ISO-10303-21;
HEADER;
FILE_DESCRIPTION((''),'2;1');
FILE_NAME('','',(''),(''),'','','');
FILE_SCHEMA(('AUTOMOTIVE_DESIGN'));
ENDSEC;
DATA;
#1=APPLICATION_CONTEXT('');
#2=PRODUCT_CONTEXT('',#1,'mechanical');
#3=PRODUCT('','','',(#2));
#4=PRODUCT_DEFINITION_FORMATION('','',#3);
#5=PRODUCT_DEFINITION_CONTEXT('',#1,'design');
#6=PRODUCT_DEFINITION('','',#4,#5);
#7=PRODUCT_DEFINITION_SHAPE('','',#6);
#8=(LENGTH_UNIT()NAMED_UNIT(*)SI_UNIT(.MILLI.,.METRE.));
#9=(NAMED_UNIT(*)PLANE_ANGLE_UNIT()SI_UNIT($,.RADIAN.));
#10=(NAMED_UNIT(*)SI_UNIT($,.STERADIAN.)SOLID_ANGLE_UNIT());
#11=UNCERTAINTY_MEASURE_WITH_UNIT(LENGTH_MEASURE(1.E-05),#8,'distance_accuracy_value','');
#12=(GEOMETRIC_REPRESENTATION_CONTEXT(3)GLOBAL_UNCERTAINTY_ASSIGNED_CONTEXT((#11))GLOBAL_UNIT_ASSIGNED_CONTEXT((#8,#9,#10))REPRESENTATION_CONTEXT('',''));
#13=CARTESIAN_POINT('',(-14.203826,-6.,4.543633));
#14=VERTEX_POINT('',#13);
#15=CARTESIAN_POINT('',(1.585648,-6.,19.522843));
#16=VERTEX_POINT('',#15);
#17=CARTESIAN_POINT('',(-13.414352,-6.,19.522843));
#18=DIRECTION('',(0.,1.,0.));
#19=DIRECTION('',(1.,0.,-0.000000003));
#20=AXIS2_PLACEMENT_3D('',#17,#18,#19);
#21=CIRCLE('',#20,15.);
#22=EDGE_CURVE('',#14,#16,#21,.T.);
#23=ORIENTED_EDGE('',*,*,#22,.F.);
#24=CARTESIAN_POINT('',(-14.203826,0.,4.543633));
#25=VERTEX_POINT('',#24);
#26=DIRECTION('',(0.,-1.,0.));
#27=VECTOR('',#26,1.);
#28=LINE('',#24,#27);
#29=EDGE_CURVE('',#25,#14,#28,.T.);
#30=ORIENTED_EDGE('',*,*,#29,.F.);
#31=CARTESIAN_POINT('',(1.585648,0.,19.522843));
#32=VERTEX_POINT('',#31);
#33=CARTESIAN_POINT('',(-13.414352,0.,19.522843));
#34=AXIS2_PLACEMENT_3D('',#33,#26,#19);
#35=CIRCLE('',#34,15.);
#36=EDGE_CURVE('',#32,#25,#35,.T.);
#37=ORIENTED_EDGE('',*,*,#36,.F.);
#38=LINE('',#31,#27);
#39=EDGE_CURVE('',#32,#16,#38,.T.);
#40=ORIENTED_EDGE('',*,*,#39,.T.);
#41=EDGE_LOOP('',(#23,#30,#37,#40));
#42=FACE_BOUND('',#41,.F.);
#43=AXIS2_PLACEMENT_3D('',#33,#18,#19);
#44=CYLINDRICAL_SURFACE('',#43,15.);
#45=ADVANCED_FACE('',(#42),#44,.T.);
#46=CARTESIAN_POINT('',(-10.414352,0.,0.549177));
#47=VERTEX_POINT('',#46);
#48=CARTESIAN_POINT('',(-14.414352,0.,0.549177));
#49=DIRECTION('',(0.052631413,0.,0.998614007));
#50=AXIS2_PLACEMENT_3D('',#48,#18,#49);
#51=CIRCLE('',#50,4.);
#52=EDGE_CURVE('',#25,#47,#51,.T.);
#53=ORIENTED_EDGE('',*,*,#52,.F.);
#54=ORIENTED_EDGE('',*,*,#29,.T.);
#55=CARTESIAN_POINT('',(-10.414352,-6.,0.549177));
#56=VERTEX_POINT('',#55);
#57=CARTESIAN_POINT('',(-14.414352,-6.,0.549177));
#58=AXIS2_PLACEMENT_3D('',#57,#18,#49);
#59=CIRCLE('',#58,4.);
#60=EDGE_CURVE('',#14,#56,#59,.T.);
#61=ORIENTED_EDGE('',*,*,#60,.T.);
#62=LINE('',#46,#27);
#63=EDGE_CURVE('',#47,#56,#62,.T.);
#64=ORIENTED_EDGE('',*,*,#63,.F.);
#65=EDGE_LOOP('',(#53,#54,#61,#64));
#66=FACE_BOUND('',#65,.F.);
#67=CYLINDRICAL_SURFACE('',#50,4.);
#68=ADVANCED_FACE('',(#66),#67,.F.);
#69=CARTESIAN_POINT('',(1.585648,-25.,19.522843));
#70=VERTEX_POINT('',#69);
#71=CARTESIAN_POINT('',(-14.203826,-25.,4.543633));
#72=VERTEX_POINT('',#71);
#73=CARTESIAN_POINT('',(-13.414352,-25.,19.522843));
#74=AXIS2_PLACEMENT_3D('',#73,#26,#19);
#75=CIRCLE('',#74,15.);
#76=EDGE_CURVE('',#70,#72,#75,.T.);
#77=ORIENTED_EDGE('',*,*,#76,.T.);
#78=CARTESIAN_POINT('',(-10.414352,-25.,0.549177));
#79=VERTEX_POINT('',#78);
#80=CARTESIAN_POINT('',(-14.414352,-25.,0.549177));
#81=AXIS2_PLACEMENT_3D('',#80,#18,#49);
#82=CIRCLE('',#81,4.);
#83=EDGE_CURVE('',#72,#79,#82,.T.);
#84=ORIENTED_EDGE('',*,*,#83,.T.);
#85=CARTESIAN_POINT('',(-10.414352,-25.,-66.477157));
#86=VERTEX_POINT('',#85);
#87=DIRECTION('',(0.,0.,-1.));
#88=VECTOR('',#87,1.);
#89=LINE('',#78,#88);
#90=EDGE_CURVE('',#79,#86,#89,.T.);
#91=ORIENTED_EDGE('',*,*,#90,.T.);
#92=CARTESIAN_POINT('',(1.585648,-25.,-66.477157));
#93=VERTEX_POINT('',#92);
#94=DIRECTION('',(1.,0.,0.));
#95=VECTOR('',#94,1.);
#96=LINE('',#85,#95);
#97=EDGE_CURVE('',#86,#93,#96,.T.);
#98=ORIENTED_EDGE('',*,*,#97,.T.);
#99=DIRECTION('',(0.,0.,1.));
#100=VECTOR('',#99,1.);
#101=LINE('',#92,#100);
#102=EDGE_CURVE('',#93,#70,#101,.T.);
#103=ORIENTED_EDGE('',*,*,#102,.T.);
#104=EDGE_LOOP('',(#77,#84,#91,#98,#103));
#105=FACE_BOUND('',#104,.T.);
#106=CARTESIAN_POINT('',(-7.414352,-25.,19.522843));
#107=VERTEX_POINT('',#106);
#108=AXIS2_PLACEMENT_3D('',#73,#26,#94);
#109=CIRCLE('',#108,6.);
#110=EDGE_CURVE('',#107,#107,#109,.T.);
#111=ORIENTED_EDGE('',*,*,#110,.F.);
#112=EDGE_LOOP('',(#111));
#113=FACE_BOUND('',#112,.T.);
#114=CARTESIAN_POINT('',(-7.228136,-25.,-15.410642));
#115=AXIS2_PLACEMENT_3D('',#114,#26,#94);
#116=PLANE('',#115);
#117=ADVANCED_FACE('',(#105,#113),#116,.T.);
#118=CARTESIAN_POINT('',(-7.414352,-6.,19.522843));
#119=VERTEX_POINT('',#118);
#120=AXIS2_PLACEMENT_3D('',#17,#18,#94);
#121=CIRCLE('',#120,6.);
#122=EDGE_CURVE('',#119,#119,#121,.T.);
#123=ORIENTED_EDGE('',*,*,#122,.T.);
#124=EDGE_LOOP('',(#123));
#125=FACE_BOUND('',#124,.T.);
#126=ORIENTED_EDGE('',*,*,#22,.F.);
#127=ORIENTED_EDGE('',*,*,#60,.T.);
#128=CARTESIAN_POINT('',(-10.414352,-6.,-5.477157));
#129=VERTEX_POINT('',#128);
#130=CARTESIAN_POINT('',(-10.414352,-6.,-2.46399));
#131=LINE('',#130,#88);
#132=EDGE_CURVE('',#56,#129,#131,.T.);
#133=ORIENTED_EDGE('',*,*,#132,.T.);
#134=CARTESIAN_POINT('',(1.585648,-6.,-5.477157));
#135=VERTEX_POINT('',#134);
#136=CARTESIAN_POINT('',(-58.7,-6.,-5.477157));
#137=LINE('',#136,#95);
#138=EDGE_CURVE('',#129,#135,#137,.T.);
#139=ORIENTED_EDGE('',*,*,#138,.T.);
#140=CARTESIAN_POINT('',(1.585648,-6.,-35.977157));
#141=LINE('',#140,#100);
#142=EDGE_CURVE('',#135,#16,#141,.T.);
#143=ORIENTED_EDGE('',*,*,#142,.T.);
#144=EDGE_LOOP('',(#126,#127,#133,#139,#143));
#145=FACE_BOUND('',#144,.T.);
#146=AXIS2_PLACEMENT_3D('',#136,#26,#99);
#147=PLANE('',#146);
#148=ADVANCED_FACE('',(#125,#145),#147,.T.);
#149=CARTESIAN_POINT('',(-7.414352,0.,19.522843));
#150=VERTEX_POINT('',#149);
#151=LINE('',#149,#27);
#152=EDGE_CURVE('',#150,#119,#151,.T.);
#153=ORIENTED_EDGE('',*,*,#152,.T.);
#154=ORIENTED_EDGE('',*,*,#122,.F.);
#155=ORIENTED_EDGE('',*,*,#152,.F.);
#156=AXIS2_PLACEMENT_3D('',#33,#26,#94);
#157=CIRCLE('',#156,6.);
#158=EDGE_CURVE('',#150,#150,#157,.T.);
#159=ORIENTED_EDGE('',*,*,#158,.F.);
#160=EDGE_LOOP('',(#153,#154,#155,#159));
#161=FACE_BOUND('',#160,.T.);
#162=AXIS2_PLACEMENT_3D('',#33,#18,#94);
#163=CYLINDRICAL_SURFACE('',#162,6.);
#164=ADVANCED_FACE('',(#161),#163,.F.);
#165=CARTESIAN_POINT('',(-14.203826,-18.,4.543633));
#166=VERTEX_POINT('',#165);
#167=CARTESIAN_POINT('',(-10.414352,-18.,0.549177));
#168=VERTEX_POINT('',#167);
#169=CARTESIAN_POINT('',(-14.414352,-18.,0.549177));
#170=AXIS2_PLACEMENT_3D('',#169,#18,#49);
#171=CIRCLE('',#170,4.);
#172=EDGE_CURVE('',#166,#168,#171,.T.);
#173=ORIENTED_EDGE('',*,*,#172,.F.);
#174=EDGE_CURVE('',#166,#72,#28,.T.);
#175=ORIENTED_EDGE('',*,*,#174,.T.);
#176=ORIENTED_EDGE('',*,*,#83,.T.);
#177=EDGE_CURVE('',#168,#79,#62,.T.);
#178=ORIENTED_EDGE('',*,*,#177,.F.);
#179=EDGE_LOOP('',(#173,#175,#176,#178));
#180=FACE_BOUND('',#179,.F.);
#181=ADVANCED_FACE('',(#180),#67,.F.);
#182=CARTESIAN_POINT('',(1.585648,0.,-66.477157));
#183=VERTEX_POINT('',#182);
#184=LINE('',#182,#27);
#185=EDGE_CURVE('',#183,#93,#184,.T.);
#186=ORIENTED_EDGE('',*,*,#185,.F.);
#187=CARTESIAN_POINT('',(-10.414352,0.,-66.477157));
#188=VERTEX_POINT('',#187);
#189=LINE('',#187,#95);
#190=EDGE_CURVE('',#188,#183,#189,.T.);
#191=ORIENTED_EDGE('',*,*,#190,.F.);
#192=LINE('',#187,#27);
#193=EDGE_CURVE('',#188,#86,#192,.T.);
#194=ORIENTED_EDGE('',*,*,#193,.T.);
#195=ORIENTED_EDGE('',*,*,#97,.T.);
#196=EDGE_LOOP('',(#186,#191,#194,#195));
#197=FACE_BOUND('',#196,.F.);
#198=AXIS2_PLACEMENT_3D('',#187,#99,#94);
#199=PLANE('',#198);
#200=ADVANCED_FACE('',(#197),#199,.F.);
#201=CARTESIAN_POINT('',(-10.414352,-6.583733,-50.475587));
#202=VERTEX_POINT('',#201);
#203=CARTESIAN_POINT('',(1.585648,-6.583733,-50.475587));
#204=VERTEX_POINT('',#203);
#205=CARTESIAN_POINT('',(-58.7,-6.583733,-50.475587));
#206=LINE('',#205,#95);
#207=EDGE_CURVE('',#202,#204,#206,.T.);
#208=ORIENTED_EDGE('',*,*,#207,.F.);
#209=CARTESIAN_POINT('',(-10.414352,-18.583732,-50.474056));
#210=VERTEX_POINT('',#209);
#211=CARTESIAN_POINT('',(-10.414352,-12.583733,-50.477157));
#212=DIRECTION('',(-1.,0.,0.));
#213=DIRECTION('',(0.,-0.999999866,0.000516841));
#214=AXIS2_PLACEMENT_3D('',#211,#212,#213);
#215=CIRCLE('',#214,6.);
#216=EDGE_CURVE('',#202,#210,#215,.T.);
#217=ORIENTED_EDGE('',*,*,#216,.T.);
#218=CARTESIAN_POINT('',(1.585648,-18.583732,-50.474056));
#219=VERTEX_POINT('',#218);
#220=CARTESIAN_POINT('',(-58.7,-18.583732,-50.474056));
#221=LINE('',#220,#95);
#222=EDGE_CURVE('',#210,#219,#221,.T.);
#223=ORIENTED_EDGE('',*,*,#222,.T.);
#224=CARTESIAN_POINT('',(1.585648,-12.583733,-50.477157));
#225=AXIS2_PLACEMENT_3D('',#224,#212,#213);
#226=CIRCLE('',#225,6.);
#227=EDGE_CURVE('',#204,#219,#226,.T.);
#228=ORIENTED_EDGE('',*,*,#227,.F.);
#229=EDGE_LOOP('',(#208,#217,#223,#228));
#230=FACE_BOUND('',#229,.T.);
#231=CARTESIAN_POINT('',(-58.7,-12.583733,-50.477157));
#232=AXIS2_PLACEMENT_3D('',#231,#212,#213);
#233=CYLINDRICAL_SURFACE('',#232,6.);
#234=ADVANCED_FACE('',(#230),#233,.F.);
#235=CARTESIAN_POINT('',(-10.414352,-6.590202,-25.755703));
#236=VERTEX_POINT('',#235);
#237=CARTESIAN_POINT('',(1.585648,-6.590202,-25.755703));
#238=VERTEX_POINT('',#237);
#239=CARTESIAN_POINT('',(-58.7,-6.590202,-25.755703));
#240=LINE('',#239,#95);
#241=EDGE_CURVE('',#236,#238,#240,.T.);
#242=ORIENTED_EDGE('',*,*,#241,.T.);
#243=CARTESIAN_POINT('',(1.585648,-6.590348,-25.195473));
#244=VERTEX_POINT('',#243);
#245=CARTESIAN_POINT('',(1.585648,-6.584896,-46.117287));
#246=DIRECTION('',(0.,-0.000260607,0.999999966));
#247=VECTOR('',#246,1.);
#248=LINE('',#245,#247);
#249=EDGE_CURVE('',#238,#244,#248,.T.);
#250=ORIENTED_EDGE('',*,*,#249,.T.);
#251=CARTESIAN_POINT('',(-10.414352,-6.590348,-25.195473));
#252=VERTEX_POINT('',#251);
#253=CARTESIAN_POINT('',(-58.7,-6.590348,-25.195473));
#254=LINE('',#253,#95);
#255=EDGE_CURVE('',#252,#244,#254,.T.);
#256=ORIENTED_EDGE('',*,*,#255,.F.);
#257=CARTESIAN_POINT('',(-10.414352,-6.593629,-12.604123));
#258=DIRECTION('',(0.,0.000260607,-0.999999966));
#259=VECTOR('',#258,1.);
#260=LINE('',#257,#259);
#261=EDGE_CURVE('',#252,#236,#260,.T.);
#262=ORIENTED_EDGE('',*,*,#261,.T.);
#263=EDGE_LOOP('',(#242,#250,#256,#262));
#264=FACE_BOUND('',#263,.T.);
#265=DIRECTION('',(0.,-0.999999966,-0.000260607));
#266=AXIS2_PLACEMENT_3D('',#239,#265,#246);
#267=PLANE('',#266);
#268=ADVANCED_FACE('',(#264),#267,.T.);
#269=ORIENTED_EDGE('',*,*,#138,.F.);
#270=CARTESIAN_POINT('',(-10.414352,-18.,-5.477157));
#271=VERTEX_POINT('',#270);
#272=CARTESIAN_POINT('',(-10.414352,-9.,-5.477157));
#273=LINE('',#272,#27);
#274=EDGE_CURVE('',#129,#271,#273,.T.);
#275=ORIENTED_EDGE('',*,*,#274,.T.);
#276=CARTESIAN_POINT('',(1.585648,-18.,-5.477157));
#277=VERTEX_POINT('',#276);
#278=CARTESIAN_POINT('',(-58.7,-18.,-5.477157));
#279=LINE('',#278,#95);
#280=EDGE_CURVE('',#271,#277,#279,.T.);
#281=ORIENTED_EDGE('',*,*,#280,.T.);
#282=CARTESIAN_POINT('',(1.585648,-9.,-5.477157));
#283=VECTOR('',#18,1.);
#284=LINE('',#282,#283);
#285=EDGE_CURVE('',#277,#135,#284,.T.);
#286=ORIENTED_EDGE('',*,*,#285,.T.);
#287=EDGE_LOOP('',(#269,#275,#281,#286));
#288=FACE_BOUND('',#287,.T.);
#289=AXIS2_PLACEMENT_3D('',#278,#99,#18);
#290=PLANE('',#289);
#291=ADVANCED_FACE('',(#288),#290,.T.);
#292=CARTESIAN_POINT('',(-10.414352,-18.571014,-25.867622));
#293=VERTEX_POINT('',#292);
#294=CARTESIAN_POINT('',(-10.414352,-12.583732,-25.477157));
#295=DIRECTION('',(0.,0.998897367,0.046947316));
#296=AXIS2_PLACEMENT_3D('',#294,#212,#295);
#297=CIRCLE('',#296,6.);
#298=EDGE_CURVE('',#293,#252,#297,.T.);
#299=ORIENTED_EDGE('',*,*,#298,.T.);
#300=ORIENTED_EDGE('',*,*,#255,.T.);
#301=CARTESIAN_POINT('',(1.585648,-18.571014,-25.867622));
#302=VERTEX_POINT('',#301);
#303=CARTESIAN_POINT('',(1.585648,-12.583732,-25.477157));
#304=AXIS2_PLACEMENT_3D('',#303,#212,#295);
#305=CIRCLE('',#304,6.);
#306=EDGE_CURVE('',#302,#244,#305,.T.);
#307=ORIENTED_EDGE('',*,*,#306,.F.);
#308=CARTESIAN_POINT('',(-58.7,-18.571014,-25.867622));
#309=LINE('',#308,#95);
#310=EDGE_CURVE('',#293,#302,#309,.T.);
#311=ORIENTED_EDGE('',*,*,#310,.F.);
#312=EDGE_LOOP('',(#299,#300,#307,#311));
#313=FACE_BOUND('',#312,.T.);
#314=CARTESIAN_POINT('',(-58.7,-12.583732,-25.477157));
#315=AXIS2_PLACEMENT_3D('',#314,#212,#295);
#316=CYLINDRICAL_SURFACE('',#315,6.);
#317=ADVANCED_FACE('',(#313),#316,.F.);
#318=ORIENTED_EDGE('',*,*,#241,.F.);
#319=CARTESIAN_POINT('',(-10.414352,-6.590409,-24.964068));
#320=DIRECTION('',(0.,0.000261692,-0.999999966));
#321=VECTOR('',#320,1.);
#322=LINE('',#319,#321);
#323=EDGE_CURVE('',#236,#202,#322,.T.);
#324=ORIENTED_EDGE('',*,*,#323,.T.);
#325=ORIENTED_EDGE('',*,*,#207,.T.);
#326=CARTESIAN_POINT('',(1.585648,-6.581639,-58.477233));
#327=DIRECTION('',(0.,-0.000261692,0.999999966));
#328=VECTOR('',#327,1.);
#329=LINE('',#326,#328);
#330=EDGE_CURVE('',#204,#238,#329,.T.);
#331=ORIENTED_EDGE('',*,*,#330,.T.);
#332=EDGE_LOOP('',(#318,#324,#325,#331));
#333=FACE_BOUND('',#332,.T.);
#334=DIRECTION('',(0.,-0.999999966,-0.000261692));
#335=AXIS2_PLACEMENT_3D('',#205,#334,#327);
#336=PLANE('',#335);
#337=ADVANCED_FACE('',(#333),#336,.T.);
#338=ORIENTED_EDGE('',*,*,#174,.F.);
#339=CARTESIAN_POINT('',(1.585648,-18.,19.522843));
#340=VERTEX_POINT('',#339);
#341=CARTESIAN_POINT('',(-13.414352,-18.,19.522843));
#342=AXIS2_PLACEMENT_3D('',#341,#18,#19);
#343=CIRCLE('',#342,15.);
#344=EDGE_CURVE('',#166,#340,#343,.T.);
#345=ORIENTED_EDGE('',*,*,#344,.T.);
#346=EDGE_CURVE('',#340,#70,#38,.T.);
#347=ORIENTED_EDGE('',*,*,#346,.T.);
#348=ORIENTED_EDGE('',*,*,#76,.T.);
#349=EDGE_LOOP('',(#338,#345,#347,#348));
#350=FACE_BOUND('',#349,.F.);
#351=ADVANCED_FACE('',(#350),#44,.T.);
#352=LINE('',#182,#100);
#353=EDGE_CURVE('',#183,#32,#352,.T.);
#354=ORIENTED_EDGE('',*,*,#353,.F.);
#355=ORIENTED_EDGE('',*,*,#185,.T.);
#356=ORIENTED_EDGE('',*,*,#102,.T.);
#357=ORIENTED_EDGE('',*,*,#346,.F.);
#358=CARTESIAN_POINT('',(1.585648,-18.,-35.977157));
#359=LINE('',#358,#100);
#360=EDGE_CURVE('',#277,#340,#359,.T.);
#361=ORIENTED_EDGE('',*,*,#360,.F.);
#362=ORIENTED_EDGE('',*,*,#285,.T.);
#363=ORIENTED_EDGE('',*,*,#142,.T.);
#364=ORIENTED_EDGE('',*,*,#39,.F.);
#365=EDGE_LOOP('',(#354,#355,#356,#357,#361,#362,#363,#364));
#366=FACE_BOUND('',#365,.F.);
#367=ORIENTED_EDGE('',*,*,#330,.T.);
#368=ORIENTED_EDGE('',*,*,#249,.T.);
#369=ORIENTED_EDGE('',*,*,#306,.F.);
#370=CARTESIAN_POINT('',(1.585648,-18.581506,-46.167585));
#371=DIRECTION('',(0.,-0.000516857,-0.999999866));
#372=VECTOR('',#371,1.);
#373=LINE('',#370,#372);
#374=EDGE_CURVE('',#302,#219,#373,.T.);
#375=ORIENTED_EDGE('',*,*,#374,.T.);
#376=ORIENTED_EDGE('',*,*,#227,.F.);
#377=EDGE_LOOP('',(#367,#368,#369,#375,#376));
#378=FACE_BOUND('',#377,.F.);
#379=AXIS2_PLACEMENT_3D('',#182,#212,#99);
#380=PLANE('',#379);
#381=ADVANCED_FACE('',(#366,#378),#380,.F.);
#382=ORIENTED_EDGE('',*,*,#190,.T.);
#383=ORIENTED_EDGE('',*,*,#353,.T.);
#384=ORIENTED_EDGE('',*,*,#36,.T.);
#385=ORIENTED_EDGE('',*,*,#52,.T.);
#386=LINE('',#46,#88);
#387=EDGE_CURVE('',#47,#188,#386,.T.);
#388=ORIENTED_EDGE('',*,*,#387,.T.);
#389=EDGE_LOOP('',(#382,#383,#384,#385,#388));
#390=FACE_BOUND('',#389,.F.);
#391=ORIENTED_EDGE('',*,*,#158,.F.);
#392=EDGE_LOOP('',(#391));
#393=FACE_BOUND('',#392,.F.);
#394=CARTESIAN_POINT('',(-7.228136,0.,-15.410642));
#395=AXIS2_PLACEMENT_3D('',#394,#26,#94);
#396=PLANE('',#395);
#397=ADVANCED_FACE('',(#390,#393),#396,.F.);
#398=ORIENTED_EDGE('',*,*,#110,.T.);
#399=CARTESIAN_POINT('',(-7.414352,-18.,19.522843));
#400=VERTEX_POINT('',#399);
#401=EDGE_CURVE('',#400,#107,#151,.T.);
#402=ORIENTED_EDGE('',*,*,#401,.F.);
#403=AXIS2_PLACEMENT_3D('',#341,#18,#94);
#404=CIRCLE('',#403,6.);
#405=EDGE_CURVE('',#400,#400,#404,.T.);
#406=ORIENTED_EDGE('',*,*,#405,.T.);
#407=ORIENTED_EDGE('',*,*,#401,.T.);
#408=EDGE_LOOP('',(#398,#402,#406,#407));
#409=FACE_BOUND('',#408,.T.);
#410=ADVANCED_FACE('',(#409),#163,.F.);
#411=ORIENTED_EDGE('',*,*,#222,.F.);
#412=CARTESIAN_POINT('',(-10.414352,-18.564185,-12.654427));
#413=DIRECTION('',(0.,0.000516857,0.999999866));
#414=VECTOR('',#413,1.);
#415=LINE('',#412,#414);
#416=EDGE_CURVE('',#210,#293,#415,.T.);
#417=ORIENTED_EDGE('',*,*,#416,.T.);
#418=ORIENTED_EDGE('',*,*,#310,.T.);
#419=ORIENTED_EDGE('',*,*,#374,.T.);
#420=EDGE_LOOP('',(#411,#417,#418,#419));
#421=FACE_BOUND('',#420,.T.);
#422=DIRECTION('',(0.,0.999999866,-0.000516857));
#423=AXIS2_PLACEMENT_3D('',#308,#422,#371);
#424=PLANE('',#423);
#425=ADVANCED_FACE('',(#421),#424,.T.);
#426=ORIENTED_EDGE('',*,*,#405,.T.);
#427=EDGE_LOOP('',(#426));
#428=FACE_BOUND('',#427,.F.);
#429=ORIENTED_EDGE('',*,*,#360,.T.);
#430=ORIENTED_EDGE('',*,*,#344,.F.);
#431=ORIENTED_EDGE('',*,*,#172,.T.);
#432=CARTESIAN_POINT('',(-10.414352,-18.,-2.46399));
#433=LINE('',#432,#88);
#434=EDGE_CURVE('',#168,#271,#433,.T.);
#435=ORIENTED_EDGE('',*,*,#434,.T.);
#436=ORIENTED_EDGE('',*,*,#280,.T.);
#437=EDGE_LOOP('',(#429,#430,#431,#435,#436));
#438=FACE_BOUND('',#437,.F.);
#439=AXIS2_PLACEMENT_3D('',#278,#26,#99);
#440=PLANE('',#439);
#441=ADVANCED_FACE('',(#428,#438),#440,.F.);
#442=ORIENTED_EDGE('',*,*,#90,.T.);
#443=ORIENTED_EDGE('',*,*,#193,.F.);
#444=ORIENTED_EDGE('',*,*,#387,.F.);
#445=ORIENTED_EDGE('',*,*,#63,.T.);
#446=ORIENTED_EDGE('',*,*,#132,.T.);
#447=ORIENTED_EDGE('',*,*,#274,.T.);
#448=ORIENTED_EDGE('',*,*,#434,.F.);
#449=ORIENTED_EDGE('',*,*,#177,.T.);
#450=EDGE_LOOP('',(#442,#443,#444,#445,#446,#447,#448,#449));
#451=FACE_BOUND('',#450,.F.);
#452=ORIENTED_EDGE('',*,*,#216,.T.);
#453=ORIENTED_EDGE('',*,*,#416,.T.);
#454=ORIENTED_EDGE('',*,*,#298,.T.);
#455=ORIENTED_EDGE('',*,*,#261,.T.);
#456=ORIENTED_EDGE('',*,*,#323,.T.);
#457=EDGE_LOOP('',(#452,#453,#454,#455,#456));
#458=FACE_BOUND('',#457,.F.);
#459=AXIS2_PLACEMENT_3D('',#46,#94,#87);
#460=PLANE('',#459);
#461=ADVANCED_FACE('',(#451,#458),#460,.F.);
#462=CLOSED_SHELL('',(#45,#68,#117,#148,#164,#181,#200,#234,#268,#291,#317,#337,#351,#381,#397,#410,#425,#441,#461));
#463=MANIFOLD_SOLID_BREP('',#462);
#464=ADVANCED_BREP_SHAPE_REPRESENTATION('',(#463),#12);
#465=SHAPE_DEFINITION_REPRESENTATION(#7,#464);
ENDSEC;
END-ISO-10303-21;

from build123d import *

# Parameters (mm, degrees)
F0_R     = 6
F1_DEPTH = 25
F3_W     = 12
F3_H     = 47.911397
F4_DEPTH = 60.286648


with BuildPart() as f1:
    # F0 (on Front) → F1 (new body)
    with BuildSketch(Plane.XZ):
        with BuildLine():
            Line((1.585648, -66.477157), (1.585648, 19.522843))
            ThreePointArc((1.585648, 19.522843), (-23.73806, 30.404987), (-14.203826, 4.543633))
            ThreePointArc((-14.203826, 4.543633), (-11.512447, 3.302166), (-10.414352, 0.549177))
            Line((-10.414352, 0.549177), (-10.414352, -66.477157))
            Line((-10.414352, -66.477157), (1.585648, -66.477157))
        make_face()
        with Locations((-13.414352, 19.522843)):
            Circle(F0_R, mode=Mode.SUBTRACT)
    extrude(amount=F1_DEPTH)

    # F3 (on offset) → F4 (cut, through all)
    with BuildSketch(Plane.YZ.offset(-58.7)):
        with Locations((-12, 18.478541)):
            Rectangle(F3_W, F3_H)
        with BuildLine():
            Line((-6.583733, -50.475587), (-6.590202, -25.755703))
            Line((-6.590202, -25.755703), (-6.590348, -25.195473))
            ThreePointArc((-6.590348, -25.195473), (-12.919821, -19.486577), (-18.571014, -25.867622))
            Line((-18.571014, -25.867622), (-18.583732, -50.474056))
            ThreePointArc((-18.583732, -50.474056), (-12.584498, -56.477157), (-6.583733, -50.475587))
        make_face()
    extrude(amount=F4_DEPTH, mode=Mode.SUBTRACT)


solid = f1.part
